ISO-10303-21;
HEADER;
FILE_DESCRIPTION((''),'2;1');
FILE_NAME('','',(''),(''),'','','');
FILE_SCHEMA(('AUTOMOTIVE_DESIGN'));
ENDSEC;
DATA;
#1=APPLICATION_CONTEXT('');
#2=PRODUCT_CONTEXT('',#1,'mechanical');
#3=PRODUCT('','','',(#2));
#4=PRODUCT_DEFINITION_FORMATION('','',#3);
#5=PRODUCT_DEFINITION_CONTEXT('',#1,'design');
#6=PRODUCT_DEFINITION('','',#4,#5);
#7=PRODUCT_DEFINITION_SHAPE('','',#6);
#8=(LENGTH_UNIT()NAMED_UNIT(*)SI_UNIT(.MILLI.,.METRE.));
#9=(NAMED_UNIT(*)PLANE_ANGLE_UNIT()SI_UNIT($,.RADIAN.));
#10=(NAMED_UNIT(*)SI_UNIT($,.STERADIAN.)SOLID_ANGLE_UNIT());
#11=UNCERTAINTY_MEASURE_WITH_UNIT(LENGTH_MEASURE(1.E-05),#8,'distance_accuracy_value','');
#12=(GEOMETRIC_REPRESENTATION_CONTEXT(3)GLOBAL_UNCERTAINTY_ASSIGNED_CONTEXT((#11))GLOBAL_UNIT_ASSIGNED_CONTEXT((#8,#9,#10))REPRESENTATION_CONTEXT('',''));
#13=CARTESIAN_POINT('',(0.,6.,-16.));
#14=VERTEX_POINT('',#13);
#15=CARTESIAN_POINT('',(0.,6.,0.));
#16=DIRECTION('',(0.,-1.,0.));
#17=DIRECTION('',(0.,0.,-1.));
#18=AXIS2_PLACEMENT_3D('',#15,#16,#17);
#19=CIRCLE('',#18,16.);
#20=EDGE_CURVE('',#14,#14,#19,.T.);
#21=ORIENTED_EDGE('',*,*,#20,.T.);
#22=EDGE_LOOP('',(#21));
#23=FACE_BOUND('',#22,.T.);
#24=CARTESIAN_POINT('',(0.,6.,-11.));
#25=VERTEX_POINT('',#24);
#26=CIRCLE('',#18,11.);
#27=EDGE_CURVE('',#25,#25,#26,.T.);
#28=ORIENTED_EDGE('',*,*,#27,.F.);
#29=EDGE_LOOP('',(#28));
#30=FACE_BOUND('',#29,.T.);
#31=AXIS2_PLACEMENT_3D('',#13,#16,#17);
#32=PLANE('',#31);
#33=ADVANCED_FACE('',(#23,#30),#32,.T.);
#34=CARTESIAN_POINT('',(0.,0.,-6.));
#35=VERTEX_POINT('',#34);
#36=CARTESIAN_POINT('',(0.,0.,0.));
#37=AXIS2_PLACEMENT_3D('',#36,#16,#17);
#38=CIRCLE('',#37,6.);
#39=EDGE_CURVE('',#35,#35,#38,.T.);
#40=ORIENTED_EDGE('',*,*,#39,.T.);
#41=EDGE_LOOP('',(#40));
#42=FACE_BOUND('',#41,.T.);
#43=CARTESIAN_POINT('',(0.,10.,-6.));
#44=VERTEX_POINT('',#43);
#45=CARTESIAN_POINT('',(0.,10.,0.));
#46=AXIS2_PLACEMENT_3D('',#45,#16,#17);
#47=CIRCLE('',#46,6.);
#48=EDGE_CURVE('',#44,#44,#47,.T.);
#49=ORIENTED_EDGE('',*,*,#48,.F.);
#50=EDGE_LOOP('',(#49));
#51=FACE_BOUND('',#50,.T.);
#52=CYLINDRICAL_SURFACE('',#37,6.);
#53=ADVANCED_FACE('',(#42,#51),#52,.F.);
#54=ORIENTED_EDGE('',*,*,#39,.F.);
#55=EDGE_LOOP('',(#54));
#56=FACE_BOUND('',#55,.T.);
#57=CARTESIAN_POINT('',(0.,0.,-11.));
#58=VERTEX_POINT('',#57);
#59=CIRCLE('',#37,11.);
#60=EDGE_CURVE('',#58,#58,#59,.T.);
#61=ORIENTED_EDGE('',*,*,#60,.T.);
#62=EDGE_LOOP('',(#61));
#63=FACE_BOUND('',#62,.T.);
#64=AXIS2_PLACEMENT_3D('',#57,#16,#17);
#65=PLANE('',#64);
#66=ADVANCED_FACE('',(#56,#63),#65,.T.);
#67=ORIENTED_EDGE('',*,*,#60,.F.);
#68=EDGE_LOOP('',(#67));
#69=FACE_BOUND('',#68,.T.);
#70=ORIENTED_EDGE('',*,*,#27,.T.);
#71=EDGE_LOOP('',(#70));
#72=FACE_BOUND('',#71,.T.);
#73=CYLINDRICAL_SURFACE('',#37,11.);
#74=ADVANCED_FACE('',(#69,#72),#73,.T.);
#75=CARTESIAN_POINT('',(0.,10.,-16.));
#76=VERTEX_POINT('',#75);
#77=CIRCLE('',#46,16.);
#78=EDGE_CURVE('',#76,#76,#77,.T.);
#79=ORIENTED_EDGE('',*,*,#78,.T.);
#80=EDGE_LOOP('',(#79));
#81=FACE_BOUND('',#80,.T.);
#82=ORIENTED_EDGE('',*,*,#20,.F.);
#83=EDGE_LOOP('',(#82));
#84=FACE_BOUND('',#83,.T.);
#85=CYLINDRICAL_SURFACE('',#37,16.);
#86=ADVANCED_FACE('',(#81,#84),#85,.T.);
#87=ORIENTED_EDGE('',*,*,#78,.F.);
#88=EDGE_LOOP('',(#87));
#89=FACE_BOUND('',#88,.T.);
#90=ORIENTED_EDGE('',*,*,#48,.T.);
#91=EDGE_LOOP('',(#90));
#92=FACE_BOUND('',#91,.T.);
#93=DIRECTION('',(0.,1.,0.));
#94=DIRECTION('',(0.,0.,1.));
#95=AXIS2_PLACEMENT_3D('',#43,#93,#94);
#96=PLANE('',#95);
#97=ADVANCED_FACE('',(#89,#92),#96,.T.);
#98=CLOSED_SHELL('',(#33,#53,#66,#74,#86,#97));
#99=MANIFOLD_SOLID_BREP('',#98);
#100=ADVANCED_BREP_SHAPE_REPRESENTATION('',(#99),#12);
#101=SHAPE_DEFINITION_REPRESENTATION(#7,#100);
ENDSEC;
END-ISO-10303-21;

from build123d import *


with BuildPart() as part:
    # Sketch1 → Revolve1 (revolve)
    with BuildSketch(Plane(origin=(0, 0, 0), x_dir=(0, 0, -1), z_dir=(1, 0, 0))):
        Polygon((6, 0), (6, 10), (16, 10), (16, 6), (11, 6), (11, 0), align=None)
    revolve(axis=Axis((0, 0, 0), (0, 1, 0)))


solid = part.part
